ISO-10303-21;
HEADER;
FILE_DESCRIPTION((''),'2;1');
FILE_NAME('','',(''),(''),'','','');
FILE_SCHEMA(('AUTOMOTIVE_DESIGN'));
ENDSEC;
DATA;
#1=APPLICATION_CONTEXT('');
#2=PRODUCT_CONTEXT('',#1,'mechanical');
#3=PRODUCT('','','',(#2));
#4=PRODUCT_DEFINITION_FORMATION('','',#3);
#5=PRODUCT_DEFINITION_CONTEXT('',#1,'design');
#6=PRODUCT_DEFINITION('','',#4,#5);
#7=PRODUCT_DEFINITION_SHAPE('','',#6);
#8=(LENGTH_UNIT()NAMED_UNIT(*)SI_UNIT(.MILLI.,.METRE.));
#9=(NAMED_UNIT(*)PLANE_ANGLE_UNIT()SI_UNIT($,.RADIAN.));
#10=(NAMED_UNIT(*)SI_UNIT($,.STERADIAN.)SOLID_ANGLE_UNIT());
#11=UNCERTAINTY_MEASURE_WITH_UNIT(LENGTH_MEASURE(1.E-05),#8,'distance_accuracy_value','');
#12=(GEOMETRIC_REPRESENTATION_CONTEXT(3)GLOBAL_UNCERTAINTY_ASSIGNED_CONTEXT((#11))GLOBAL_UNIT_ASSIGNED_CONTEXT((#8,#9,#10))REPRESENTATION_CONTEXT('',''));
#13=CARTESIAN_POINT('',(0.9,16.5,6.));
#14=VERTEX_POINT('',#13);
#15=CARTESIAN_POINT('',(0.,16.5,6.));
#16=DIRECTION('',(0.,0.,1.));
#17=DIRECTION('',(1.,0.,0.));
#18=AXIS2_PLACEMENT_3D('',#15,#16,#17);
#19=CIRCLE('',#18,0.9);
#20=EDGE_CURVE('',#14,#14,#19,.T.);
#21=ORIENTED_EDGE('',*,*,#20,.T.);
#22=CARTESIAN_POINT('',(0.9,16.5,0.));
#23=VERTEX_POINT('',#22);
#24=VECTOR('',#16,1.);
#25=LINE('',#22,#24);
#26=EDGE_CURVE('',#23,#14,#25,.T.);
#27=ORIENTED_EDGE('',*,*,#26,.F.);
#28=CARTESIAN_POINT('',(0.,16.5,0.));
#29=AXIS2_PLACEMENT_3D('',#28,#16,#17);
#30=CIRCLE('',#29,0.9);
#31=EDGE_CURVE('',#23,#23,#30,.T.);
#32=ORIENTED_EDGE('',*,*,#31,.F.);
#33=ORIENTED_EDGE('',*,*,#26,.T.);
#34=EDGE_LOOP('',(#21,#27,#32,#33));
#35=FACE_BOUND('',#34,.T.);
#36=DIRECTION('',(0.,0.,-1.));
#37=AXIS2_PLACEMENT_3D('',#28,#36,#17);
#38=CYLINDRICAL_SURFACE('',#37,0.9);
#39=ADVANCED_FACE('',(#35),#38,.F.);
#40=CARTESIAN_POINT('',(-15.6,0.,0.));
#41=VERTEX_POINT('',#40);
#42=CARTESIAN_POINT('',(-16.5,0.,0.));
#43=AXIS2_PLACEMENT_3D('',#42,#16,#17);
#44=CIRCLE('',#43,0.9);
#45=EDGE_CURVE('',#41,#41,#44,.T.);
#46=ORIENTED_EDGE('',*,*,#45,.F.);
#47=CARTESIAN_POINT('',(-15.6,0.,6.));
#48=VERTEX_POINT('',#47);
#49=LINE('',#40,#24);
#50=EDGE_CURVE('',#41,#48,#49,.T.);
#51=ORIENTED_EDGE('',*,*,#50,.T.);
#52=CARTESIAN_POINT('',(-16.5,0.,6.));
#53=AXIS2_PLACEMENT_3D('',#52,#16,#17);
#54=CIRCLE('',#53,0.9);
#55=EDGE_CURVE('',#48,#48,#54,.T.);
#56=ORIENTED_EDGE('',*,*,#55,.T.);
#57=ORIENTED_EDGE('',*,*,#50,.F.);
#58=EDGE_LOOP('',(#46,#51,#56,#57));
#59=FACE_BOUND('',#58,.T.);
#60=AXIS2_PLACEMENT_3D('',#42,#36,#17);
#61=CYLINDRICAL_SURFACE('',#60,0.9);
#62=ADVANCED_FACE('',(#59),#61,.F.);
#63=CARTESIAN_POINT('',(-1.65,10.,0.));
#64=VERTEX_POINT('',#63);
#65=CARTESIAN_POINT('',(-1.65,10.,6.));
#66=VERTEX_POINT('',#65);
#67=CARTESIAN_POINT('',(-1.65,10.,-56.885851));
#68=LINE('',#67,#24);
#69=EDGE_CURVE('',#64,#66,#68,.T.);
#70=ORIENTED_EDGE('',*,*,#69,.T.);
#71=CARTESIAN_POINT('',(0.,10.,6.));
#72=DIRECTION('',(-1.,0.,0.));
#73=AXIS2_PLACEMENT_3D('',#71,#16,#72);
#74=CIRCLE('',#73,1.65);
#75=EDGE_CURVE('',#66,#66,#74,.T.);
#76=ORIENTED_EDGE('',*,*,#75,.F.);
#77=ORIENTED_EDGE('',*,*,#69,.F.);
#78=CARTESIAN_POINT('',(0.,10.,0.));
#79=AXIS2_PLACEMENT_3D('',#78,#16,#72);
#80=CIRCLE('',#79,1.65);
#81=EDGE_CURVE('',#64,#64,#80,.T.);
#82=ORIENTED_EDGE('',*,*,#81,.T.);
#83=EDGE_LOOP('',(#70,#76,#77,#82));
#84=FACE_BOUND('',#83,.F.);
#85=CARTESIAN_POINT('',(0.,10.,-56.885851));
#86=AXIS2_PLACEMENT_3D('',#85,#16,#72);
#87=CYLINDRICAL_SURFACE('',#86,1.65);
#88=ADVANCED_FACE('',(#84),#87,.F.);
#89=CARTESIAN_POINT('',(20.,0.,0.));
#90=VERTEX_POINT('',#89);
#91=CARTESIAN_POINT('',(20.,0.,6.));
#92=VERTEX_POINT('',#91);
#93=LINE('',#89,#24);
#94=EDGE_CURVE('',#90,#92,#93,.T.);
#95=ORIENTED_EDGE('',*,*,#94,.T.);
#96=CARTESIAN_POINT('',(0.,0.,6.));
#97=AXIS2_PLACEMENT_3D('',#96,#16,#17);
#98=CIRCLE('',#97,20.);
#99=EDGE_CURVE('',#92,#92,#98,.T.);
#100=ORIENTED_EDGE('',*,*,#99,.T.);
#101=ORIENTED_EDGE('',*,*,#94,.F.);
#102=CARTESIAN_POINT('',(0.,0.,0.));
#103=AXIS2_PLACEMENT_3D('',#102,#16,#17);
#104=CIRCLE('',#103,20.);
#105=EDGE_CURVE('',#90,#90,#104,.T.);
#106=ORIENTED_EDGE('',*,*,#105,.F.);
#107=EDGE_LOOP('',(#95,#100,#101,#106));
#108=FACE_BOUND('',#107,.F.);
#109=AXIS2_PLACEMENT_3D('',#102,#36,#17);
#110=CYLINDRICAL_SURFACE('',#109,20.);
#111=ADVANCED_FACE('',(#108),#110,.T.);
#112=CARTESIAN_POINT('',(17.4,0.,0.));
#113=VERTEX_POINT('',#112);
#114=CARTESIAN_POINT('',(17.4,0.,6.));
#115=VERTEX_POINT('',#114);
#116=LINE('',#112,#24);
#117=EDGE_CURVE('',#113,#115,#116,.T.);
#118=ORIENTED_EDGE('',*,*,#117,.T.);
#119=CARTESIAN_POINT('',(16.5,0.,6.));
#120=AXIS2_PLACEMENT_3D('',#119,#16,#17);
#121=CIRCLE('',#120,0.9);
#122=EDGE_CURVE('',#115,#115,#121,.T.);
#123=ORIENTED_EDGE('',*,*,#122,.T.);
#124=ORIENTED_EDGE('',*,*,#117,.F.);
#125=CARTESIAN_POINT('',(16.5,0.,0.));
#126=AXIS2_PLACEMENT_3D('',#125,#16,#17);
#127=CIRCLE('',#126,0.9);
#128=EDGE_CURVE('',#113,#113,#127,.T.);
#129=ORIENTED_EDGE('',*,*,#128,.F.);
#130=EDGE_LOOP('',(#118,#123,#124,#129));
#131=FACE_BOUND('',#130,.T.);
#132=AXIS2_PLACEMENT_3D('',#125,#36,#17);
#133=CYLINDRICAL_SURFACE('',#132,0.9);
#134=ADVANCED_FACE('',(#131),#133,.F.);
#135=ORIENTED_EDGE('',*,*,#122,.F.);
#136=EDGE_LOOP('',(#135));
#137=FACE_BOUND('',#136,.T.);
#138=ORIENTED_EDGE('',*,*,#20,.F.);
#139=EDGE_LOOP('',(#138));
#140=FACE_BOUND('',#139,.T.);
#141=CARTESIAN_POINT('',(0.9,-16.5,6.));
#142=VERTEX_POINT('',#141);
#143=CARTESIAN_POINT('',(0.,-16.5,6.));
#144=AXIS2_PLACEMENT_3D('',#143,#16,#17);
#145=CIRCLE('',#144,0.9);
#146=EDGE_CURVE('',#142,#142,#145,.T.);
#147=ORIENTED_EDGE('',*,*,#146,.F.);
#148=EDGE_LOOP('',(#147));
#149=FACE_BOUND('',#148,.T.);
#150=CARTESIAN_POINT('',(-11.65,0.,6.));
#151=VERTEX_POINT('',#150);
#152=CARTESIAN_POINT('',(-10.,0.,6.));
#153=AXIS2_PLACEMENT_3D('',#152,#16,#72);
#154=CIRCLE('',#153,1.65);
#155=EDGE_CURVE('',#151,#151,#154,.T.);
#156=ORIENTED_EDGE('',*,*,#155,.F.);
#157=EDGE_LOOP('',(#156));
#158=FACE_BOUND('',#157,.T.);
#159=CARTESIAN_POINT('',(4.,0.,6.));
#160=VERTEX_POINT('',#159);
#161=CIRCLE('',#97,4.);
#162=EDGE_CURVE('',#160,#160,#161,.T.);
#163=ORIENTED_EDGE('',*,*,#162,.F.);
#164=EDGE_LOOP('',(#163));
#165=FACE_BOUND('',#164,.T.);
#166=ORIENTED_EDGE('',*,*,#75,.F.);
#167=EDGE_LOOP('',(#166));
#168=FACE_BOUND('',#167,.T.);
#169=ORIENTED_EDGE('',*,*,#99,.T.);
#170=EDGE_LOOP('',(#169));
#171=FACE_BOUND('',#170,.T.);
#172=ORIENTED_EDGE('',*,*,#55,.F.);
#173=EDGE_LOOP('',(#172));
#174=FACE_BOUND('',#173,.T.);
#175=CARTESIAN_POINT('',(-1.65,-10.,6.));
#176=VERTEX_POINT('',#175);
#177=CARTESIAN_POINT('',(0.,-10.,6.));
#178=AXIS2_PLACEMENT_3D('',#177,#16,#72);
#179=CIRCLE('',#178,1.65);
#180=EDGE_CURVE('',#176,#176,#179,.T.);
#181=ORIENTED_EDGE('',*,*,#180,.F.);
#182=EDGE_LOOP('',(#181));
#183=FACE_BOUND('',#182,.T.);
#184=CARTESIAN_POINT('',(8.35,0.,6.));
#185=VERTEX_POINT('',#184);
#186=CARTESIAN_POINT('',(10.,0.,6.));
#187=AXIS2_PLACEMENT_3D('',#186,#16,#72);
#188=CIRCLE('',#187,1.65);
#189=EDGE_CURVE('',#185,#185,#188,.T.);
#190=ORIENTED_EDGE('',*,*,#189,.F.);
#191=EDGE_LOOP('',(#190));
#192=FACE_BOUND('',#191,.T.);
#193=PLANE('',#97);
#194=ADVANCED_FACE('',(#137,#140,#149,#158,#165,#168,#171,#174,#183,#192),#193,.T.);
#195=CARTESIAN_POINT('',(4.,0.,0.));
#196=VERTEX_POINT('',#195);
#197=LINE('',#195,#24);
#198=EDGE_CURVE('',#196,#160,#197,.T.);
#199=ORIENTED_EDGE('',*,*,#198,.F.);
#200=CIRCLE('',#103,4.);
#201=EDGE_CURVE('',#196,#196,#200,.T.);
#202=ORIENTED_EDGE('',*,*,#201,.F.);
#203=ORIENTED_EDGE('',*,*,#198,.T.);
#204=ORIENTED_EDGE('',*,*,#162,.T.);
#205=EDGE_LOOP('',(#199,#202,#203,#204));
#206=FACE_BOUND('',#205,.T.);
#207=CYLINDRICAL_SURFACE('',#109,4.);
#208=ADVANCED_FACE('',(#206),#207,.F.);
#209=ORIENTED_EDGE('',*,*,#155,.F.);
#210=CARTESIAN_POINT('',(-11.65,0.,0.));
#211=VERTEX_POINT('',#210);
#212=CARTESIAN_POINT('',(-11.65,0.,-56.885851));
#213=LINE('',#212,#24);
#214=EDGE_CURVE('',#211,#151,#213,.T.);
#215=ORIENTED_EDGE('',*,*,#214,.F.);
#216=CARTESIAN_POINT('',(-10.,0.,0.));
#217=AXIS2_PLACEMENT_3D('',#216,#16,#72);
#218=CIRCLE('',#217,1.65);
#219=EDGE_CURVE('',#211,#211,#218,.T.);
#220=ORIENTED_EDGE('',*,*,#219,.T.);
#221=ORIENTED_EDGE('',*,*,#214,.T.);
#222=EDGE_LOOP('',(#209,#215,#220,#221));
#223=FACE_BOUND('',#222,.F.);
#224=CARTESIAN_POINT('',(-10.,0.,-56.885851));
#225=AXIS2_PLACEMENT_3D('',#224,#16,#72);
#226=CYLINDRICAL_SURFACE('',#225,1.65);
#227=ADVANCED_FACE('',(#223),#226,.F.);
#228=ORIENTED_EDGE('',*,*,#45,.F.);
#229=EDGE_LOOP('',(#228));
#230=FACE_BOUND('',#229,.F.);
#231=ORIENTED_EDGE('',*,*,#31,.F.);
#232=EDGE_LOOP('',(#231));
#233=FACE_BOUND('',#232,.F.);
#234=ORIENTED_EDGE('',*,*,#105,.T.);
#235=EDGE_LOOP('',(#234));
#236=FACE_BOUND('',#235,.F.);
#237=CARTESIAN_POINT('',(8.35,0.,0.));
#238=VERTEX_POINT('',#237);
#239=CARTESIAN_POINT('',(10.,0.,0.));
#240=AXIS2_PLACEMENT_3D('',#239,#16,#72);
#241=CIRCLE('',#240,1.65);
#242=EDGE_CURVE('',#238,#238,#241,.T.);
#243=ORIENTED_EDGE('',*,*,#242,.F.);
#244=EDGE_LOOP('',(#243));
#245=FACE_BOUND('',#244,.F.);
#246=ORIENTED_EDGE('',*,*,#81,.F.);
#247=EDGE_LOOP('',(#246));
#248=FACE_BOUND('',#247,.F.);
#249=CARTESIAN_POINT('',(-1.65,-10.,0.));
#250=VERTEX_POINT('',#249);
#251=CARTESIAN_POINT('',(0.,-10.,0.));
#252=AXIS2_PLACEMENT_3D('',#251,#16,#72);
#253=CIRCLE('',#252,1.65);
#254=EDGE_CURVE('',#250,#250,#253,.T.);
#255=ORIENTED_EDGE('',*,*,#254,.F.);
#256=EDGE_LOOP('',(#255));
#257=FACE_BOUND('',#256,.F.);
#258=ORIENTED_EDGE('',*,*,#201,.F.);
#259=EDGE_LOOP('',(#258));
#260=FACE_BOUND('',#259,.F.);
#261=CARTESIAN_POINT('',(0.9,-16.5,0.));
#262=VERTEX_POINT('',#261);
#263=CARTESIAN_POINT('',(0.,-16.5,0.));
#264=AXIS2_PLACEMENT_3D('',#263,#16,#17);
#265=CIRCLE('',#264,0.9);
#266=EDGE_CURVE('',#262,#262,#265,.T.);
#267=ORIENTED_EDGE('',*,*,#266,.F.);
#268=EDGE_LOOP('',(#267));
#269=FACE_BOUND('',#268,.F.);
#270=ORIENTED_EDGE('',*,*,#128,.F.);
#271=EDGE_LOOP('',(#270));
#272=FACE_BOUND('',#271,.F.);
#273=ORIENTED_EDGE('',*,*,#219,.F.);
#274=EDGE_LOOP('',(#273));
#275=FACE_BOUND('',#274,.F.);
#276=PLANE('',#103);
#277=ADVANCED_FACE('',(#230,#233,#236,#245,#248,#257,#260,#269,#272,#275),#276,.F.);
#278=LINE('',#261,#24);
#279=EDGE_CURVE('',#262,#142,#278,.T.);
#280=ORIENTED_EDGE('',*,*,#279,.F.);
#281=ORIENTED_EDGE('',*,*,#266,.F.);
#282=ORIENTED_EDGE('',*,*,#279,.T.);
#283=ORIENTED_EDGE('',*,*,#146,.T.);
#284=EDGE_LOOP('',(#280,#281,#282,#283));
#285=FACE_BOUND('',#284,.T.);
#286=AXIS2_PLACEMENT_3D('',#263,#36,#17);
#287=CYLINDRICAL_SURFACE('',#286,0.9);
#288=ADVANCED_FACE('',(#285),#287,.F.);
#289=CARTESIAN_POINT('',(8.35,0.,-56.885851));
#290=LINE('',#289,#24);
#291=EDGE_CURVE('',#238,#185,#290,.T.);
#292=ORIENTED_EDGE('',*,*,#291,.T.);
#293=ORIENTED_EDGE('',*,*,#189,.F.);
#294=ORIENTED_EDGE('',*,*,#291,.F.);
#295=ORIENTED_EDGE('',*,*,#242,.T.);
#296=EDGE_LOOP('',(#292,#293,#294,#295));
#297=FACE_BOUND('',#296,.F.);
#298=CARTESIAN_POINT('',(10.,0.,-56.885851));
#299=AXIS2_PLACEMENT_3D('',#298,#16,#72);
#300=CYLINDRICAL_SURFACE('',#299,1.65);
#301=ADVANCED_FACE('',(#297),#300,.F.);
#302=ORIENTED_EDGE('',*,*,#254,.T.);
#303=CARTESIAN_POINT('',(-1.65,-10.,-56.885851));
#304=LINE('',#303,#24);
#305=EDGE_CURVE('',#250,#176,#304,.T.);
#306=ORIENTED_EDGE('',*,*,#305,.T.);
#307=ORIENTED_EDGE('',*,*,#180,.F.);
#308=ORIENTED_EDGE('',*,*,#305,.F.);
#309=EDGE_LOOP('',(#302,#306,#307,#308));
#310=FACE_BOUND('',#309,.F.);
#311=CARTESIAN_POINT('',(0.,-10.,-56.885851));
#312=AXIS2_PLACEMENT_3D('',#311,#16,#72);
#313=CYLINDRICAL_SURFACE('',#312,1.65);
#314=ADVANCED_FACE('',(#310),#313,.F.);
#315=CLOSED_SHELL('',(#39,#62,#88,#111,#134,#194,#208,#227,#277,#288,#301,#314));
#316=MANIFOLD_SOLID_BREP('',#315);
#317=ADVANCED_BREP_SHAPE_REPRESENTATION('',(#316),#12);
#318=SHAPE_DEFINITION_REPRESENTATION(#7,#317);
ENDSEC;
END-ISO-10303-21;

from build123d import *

# Parameters (mm, degrees)
F0_R     = 20
F0_R_2   = 0.9
F0_R_3   = 4
F1_DEPTH = 6
F2_D     = 3.3


with BuildPart() as f1:
    # F0 (on Top) → F1 (new body)
    with BuildSketch(Plane.XY):
        Circle(F0_R)
        with Locations((0, -16.5)):
            Circle(F0_R_2, mode=Mode.SUBTRACT)
        with Locations((-16.5, 0)):
            Circle(F0_R_2, mode=Mode.SUBTRACT)
        Circle(F0_R_3, mode=Mode.SUBTRACT)
        with Locations((16.5, 0)):
            Circle(F0_R_2, mode=Mode.SUBTRACT)
        with Locations((0, 16.5)):
            Circle(F0_R_2, mode=Mode.SUBTRACT)
    extrude(amount=F1_DEPTH)

    # F2 (through all)
    with Locations(Plane(origin=(0, 0, 0), x_dir=(1, 0, 0), z_dir=(0, 0, -1))):
        with Locations((-10, 0), (0, -10), (10, 0), (0, 10)):
            Hole(F2_D / 2)


solid = f1.part
